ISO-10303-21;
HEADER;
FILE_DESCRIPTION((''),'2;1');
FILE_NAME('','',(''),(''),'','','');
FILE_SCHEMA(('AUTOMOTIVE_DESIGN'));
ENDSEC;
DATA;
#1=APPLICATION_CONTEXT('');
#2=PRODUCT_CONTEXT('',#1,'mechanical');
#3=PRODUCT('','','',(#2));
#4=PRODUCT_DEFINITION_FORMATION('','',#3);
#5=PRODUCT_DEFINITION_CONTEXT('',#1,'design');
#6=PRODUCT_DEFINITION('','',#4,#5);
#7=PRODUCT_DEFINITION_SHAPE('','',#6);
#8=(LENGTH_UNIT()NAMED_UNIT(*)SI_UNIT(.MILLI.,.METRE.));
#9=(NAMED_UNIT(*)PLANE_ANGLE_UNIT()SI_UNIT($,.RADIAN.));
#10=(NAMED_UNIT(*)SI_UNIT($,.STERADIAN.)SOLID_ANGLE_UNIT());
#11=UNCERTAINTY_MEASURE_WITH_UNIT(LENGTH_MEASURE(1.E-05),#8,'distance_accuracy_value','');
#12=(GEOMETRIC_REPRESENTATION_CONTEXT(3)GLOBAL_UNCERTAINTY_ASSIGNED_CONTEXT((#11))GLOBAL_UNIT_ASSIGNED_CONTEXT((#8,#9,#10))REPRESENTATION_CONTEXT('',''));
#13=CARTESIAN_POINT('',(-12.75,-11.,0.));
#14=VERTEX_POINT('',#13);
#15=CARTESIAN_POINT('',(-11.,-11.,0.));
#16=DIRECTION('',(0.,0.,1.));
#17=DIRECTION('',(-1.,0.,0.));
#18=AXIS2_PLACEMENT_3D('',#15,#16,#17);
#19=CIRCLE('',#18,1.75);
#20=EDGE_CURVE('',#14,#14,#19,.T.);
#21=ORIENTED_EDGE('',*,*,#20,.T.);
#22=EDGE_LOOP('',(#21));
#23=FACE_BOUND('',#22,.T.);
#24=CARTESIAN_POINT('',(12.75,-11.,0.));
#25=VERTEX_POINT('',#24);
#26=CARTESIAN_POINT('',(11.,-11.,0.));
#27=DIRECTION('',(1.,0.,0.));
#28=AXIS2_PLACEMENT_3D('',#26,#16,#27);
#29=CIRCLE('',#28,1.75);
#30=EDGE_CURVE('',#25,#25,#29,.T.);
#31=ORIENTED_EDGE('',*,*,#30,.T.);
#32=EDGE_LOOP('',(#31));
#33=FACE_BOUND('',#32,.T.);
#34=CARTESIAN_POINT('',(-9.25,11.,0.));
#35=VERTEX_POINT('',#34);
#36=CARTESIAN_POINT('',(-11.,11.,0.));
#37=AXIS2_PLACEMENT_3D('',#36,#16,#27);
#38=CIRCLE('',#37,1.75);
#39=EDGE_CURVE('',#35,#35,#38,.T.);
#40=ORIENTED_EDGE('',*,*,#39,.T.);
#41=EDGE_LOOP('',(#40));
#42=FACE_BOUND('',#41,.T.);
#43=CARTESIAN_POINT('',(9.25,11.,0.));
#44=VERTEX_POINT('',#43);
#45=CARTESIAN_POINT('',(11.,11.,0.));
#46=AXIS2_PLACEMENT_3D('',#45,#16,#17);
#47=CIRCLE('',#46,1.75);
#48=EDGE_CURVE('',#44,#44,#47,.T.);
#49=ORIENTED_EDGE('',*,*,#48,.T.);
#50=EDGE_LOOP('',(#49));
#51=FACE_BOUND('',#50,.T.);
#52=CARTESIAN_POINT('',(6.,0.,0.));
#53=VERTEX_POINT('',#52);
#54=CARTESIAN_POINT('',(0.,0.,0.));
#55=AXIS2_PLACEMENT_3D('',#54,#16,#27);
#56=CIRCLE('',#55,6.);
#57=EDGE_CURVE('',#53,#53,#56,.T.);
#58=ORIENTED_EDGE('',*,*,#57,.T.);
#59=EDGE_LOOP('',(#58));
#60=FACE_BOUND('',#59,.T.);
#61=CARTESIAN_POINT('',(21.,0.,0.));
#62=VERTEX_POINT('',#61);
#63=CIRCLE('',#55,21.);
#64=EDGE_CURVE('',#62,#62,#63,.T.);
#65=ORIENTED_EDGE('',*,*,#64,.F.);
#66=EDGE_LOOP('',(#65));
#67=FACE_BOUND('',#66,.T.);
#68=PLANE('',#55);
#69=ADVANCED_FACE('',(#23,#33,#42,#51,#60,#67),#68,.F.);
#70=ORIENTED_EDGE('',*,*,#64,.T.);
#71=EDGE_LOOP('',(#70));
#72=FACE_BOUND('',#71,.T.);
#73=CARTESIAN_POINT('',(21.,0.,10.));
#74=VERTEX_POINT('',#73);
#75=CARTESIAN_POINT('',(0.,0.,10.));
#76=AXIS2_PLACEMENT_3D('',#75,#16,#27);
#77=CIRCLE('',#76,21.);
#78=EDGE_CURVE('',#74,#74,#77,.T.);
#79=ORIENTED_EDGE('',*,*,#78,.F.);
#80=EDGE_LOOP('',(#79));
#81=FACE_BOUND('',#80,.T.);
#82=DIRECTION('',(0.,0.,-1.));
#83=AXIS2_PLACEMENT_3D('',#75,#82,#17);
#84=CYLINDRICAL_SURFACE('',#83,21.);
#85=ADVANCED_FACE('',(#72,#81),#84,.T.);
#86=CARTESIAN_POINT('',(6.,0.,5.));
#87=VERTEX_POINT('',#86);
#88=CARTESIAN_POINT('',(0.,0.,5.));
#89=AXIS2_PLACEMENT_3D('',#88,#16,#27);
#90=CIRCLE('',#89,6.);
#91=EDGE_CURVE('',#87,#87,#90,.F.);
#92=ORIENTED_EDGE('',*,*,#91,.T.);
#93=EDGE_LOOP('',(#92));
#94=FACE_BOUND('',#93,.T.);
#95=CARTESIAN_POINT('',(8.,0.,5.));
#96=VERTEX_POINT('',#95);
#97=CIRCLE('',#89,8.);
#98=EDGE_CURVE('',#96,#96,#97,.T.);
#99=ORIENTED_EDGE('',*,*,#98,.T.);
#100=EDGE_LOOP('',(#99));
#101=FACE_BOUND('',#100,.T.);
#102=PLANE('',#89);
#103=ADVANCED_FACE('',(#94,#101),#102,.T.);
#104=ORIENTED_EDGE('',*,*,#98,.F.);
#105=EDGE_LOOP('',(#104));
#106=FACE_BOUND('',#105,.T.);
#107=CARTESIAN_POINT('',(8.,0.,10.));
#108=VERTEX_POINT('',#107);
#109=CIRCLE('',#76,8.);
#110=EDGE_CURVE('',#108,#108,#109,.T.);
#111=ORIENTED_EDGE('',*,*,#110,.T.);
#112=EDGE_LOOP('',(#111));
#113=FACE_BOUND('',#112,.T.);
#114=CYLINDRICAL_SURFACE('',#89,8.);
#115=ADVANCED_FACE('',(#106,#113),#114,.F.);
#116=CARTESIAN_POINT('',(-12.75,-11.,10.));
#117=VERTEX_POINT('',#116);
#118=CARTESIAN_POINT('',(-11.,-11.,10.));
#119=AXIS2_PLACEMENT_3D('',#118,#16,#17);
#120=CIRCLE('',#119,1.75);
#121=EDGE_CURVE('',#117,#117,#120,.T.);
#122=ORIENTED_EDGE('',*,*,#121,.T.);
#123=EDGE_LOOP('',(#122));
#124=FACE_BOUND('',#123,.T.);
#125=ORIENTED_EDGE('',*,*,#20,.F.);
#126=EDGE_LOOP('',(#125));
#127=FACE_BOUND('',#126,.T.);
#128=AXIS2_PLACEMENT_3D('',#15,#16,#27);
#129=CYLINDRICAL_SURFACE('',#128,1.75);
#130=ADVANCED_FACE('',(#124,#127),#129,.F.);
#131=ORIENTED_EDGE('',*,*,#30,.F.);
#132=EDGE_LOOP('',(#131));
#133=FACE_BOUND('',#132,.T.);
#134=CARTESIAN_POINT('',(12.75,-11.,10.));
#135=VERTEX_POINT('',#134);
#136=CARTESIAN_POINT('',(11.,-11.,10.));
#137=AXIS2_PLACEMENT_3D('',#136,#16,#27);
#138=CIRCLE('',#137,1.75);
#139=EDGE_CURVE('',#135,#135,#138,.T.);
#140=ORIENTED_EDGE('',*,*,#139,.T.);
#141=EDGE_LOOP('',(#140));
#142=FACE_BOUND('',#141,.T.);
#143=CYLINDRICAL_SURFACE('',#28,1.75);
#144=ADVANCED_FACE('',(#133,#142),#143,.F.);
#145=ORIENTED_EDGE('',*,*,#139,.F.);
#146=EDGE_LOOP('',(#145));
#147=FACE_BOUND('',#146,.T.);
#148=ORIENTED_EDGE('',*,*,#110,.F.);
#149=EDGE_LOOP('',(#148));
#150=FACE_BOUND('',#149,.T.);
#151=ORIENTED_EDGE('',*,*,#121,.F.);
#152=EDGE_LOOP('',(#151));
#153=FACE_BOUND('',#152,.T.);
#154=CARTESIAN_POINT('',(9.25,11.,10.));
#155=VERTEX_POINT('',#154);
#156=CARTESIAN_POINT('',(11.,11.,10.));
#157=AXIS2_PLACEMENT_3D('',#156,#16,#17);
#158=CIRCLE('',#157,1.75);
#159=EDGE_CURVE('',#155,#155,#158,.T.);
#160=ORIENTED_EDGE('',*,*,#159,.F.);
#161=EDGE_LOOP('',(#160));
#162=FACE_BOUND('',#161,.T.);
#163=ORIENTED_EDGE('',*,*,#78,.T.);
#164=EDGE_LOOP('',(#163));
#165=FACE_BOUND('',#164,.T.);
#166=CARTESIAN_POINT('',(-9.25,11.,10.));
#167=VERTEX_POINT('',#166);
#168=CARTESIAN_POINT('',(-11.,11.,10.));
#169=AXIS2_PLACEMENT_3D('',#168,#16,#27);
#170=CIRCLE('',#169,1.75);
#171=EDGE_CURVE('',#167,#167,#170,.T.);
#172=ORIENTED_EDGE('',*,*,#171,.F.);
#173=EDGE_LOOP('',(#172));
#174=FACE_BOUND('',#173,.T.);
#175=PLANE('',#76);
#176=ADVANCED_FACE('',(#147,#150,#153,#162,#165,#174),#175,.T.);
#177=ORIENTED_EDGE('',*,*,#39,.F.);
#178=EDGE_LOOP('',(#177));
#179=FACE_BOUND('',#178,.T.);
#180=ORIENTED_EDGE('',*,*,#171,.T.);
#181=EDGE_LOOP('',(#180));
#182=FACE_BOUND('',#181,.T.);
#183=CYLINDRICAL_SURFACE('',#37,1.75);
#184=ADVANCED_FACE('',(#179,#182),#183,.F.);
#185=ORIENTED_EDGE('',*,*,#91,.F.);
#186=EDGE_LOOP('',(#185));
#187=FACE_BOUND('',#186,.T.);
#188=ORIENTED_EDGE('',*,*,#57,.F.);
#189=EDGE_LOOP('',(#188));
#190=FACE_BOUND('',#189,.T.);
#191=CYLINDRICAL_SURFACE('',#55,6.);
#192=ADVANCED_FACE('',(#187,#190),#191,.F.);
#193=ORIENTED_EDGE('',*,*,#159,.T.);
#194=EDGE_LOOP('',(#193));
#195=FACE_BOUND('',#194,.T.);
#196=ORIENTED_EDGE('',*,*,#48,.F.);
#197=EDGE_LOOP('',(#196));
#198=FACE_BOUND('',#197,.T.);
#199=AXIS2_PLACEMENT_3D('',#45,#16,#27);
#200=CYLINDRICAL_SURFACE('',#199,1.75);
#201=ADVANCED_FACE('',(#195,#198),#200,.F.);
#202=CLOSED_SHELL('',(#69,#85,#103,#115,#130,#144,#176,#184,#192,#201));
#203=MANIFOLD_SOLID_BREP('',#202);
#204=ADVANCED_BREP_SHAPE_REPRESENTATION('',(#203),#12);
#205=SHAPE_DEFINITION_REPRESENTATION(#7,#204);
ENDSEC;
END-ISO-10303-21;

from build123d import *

# Parameters (mm, degrees)
SKETCH1_R           = 21
BOSS_EXTRUDE1_DEPTH = 10
SKETCH2_R           = 6
CUT_EXTRUDE1_DEPTH  = 32.336879232
SKETCH3_R           = 8
CUT_EXTRUDE2_DEPTH  = 5
SKETCH4_R           = 1.75
CUT_EXTRUDE3_DEPTH  = 32.336879232


with BuildPart() as part:
    # Sketch1 → Boss-Extrude1 (new body)
    with BuildSketch(Plane.XY):
        Circle(SKETCH1_R)
    extrude(amount=BOSS_EXTRUDE1_DEPTH)

    # Sketch2 → Cut-Extrude1 (cut, through all)
    with BuildSketch(Plane.XY.offset(10)):
        Circle(SKETCH2_R)
    extrude(amount=-CUT_EXTRUDE1_DEPTH, mode=Mode.SUBTRACT)

    # Sketch3 → Cut-Extrude2 (cut)
    with BuildSketch(Plane.XY.offset(10)):
        Circle(SKETCH3_R)
    extrude(amount=-CUT_EXTRUDE2_DEPTH, mode=Mode.SUBTRACT)

    # Sketch4 → Cut-Extrude3 (cut, through all)
    with BuildSketch(Plane.XY.offset(10)):
        with Locations((-11, 11)):
            Circle(SKETCH4_R)
        with Locations(Location((11, 11, 0), (0, 0, 180))):
            Circle(SKETCH4_R)
        with Locations((11, -11)):
            Circle(SKETCH4_R)
        with Locations(Location((-11, -11, 0), (0, 0, 180))):
            Circle(SKETCH4_R)
    extrude(amount=-CUT_EXTRUDE3_DEPTH, mode=Mode.SUBTRACT)


solid = part.part
